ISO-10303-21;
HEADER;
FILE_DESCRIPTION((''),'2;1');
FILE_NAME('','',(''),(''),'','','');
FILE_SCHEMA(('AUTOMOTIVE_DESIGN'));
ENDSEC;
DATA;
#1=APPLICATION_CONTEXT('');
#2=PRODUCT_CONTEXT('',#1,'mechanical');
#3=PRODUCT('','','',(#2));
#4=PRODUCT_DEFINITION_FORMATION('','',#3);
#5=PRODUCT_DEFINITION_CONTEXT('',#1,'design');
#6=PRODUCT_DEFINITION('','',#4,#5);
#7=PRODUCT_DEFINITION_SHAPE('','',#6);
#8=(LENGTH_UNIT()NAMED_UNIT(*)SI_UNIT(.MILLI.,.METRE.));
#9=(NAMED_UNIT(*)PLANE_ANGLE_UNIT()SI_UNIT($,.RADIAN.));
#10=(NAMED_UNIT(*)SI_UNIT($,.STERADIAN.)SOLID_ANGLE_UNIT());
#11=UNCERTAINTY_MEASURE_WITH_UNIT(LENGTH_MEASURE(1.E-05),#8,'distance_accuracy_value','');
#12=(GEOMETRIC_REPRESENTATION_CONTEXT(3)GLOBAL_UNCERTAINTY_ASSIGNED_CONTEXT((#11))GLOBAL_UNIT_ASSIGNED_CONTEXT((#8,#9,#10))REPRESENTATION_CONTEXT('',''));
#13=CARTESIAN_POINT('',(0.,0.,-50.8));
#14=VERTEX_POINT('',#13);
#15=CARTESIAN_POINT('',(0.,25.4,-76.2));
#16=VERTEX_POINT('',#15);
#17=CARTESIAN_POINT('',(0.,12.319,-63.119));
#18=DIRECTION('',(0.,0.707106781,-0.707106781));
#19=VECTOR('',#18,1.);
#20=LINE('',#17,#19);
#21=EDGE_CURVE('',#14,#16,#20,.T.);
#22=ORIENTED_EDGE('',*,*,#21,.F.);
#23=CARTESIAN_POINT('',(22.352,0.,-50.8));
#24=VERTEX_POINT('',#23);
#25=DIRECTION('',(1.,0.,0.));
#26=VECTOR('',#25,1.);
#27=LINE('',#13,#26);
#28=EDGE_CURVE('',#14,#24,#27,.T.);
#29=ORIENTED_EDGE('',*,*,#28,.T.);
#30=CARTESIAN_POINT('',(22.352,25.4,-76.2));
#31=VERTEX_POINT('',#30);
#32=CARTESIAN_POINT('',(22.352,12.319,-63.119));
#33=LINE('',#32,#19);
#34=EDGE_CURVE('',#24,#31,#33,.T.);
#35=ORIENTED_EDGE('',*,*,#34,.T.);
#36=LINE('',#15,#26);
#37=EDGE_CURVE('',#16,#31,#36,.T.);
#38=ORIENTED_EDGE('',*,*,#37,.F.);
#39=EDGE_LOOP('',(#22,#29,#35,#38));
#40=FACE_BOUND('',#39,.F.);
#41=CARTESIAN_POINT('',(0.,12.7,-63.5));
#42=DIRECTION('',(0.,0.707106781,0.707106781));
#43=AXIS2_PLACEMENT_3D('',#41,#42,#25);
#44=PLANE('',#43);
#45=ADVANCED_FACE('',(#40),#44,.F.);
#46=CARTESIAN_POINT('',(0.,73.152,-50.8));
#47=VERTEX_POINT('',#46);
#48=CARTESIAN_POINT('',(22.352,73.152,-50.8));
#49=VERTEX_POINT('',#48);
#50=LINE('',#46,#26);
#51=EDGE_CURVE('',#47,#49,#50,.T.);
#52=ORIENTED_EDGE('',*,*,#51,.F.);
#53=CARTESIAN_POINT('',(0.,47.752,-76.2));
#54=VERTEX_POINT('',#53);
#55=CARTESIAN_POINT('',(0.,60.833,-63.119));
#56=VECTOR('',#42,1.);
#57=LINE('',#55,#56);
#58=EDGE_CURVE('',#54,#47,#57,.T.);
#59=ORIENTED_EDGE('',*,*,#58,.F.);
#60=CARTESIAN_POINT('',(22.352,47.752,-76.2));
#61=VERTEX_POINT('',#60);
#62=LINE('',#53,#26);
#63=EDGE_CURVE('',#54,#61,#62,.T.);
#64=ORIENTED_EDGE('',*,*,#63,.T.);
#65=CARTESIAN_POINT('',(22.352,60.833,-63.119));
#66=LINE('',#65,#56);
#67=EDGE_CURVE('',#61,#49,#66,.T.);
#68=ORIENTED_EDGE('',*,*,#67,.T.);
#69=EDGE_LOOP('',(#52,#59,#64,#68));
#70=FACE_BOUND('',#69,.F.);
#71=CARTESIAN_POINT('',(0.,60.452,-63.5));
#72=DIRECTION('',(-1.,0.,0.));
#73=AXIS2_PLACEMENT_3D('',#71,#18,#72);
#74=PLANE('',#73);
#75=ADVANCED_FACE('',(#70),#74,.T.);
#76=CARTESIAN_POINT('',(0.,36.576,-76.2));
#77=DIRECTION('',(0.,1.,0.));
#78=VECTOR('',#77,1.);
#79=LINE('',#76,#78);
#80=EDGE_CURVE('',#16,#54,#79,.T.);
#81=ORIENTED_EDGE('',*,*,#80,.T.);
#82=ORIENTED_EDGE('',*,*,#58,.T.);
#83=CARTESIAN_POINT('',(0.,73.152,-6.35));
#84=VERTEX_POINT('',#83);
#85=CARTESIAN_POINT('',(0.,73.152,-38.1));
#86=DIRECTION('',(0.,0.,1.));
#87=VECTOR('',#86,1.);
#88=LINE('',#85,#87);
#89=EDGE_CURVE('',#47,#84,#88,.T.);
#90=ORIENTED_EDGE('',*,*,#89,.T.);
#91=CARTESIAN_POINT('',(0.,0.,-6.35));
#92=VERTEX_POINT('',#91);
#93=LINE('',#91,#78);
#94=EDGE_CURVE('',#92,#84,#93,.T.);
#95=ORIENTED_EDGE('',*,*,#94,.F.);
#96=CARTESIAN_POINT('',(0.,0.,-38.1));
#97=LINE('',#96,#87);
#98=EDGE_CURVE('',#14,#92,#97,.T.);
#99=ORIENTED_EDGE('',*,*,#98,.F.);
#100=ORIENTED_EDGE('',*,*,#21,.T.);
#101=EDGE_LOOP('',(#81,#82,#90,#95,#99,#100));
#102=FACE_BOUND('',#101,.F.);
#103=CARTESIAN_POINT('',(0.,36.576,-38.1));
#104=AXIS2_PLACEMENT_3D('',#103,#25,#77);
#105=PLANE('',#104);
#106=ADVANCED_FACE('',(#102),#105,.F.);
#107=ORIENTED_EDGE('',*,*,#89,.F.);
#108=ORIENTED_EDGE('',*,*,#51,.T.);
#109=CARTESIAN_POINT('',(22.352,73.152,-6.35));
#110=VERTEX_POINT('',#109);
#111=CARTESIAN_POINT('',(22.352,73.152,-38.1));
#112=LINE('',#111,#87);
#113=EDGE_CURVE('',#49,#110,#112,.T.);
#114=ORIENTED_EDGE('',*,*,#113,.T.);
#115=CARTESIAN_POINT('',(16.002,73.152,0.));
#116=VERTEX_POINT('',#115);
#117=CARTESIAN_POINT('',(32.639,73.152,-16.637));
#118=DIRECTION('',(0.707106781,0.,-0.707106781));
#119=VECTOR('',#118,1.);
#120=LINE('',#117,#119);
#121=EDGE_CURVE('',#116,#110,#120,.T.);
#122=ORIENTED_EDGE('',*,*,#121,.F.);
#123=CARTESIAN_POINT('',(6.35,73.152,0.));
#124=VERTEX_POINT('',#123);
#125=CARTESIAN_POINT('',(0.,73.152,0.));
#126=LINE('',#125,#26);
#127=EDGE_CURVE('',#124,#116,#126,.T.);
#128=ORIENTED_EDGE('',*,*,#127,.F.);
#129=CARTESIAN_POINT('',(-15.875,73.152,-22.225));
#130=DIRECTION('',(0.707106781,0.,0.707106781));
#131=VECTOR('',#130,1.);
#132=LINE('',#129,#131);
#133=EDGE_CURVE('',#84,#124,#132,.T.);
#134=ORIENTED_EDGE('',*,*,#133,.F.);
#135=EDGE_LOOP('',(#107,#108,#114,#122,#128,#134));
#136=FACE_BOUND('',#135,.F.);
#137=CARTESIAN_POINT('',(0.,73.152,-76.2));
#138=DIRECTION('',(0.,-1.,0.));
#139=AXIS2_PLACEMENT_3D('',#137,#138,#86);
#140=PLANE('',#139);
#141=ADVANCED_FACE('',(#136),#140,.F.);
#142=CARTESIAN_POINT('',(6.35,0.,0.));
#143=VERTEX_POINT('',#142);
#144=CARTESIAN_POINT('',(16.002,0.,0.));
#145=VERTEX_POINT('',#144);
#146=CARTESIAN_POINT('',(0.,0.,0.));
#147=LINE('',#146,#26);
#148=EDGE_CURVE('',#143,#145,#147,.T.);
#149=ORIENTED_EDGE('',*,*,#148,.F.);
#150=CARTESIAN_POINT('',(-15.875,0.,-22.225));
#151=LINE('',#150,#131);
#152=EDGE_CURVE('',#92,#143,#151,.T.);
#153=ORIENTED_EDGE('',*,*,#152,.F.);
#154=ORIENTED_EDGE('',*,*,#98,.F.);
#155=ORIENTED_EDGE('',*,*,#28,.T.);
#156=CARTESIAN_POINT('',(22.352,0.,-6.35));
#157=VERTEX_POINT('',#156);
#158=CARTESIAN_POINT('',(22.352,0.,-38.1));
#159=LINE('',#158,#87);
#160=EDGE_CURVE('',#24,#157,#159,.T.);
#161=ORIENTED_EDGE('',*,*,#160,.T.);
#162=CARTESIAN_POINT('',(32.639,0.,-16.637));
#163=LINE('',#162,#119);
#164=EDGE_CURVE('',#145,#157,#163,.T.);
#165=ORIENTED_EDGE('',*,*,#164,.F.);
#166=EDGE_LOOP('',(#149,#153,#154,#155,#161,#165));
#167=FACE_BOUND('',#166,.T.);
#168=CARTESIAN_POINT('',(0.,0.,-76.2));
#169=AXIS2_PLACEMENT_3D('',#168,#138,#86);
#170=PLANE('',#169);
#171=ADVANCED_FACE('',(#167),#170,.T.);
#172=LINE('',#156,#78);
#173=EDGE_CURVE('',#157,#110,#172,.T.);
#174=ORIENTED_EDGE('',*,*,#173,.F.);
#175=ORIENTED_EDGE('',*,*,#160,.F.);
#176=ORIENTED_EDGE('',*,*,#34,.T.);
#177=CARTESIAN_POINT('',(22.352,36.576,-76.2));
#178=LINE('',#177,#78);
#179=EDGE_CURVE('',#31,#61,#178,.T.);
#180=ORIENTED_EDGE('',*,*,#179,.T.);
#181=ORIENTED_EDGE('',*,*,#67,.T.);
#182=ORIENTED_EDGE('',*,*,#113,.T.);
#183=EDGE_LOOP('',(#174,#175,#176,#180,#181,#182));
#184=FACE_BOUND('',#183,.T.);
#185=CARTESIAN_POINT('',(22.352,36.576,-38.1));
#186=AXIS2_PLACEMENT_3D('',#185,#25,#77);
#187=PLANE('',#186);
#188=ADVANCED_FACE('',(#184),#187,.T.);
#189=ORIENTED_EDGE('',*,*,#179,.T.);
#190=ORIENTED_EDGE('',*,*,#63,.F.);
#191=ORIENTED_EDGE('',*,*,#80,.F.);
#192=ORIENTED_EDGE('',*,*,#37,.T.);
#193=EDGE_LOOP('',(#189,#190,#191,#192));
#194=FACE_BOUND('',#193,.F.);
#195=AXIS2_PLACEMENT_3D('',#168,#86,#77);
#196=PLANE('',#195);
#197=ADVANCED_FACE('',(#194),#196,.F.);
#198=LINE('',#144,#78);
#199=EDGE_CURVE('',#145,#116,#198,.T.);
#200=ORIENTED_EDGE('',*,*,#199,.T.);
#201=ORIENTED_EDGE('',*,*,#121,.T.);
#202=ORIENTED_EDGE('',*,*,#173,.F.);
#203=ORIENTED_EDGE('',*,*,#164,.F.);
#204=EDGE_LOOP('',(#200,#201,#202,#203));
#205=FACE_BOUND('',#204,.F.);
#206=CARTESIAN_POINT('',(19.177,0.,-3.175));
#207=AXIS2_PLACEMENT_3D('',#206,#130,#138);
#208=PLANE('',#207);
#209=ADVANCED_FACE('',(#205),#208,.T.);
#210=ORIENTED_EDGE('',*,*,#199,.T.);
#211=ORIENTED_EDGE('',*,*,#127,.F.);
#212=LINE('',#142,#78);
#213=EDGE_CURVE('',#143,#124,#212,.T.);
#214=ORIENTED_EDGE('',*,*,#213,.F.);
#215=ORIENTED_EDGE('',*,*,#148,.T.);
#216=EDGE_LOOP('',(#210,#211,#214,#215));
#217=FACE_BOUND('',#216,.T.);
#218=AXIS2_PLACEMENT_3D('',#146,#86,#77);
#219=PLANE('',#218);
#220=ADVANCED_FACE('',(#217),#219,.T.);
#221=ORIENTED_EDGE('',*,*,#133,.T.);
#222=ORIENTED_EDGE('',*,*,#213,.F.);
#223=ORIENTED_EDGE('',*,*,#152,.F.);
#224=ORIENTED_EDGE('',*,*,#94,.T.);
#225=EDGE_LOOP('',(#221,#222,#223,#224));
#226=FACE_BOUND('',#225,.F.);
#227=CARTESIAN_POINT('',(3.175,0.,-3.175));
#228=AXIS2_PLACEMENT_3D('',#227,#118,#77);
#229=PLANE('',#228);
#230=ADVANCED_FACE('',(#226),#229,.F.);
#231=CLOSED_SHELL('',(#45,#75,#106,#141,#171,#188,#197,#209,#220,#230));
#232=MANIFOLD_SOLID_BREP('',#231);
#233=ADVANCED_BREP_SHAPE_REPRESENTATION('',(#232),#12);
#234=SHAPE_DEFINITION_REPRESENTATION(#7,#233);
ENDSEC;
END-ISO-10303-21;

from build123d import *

# Parameters (mm, degrees)
F0_W     = 73.152
F0_H     = 76.2
F1_DEPTH = 22.352
F2_SIZE  = 25.4
F3_SIZE  = 6.35


with BuildPart() as f1:
    # F0 (on Right) → F1 (new body)
    with BuildSketch(Plane.YZ):
        with Locations((36.576, -38.1)):
            Rectangle(F0_W, F0_H)
    extrude(amount=F1_DEPTH)

    # F2
    f2_edges = [f1.edges().sort_by_distance(p)[0] for p in [
        (11.176, 0, -76.2),
        (11.176, 73.152, -76.2),
    ]]
    chamfer(f2_edges, length=F2_SIZE)

    # F3
    f3_edges = [f1.edges().sort_by_distance(p)[0] for p in [
        (0, 36.576, 0),
        (22.352, 36.576, 0),
    ]]
    chamfer(f3_edges, length=F3_SIZE)


solid = f1.part
